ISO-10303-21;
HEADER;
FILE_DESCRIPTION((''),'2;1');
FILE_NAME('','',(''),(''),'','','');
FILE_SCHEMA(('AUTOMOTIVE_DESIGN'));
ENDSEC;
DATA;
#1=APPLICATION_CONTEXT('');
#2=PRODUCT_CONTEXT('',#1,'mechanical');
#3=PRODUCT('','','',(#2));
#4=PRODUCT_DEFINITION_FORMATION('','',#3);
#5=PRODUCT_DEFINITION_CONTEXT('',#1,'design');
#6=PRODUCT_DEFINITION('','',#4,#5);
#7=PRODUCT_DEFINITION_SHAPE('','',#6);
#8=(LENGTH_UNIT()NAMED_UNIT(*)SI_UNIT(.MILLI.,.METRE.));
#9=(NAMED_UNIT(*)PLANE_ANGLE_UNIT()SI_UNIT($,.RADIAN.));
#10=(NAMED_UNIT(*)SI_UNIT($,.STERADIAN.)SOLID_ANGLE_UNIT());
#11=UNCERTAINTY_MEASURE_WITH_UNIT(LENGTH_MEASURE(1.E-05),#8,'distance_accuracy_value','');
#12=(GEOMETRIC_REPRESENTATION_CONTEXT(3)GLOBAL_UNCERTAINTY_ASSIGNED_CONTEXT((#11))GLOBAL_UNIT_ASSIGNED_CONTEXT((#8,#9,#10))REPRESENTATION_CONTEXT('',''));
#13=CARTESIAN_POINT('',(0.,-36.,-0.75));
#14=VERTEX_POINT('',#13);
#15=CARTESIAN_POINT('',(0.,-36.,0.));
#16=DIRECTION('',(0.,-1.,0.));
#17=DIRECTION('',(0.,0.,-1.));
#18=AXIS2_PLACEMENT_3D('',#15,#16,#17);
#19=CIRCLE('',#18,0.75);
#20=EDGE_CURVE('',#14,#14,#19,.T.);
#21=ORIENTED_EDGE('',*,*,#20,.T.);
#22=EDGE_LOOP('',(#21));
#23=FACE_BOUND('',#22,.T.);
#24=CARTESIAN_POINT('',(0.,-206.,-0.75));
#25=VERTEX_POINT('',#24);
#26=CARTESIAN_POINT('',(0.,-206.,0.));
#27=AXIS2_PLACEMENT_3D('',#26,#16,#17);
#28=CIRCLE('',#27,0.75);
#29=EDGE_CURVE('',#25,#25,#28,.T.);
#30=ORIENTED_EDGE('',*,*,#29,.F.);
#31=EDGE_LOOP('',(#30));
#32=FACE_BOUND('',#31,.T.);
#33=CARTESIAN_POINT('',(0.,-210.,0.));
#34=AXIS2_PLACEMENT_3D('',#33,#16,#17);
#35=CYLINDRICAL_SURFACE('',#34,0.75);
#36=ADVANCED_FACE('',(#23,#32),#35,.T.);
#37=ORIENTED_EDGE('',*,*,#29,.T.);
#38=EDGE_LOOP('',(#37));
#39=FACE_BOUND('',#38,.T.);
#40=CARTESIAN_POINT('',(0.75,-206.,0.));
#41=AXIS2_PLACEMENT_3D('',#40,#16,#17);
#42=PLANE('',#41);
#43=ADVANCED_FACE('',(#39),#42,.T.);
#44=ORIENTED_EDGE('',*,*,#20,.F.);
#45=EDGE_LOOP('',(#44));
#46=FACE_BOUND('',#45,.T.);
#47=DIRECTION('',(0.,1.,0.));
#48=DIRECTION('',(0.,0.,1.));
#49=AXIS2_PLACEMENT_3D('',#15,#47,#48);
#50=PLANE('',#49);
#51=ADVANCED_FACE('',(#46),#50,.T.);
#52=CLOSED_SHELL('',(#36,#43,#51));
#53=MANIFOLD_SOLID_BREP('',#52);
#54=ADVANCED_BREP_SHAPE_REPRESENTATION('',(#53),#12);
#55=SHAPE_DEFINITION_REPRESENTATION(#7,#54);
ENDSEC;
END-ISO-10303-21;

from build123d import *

# Parameters (mm, degrees)
SKETCH1_W = 0.75
SKETCH1_H = 170


with BuildPart() as part:
    # Sketch1 → Cuerdas_UHMWPE (revolve)
    with BuildSketch(Plane.XY, mode=Mode.PRIVATE) as cuerdas_uhmwpe_sk:
        with Locations((0.375, -121)):
            Rectangle(SKETCH1_W, SKETCH1_H)
    revolve(cuerdas_uhmwpe_sk.sketch.rotate(Axis((0, -210, 0), (0, 1, 0)), 90), axis=Axis((0, -210, 0), (0, 1, 0)))


solid = part.part
